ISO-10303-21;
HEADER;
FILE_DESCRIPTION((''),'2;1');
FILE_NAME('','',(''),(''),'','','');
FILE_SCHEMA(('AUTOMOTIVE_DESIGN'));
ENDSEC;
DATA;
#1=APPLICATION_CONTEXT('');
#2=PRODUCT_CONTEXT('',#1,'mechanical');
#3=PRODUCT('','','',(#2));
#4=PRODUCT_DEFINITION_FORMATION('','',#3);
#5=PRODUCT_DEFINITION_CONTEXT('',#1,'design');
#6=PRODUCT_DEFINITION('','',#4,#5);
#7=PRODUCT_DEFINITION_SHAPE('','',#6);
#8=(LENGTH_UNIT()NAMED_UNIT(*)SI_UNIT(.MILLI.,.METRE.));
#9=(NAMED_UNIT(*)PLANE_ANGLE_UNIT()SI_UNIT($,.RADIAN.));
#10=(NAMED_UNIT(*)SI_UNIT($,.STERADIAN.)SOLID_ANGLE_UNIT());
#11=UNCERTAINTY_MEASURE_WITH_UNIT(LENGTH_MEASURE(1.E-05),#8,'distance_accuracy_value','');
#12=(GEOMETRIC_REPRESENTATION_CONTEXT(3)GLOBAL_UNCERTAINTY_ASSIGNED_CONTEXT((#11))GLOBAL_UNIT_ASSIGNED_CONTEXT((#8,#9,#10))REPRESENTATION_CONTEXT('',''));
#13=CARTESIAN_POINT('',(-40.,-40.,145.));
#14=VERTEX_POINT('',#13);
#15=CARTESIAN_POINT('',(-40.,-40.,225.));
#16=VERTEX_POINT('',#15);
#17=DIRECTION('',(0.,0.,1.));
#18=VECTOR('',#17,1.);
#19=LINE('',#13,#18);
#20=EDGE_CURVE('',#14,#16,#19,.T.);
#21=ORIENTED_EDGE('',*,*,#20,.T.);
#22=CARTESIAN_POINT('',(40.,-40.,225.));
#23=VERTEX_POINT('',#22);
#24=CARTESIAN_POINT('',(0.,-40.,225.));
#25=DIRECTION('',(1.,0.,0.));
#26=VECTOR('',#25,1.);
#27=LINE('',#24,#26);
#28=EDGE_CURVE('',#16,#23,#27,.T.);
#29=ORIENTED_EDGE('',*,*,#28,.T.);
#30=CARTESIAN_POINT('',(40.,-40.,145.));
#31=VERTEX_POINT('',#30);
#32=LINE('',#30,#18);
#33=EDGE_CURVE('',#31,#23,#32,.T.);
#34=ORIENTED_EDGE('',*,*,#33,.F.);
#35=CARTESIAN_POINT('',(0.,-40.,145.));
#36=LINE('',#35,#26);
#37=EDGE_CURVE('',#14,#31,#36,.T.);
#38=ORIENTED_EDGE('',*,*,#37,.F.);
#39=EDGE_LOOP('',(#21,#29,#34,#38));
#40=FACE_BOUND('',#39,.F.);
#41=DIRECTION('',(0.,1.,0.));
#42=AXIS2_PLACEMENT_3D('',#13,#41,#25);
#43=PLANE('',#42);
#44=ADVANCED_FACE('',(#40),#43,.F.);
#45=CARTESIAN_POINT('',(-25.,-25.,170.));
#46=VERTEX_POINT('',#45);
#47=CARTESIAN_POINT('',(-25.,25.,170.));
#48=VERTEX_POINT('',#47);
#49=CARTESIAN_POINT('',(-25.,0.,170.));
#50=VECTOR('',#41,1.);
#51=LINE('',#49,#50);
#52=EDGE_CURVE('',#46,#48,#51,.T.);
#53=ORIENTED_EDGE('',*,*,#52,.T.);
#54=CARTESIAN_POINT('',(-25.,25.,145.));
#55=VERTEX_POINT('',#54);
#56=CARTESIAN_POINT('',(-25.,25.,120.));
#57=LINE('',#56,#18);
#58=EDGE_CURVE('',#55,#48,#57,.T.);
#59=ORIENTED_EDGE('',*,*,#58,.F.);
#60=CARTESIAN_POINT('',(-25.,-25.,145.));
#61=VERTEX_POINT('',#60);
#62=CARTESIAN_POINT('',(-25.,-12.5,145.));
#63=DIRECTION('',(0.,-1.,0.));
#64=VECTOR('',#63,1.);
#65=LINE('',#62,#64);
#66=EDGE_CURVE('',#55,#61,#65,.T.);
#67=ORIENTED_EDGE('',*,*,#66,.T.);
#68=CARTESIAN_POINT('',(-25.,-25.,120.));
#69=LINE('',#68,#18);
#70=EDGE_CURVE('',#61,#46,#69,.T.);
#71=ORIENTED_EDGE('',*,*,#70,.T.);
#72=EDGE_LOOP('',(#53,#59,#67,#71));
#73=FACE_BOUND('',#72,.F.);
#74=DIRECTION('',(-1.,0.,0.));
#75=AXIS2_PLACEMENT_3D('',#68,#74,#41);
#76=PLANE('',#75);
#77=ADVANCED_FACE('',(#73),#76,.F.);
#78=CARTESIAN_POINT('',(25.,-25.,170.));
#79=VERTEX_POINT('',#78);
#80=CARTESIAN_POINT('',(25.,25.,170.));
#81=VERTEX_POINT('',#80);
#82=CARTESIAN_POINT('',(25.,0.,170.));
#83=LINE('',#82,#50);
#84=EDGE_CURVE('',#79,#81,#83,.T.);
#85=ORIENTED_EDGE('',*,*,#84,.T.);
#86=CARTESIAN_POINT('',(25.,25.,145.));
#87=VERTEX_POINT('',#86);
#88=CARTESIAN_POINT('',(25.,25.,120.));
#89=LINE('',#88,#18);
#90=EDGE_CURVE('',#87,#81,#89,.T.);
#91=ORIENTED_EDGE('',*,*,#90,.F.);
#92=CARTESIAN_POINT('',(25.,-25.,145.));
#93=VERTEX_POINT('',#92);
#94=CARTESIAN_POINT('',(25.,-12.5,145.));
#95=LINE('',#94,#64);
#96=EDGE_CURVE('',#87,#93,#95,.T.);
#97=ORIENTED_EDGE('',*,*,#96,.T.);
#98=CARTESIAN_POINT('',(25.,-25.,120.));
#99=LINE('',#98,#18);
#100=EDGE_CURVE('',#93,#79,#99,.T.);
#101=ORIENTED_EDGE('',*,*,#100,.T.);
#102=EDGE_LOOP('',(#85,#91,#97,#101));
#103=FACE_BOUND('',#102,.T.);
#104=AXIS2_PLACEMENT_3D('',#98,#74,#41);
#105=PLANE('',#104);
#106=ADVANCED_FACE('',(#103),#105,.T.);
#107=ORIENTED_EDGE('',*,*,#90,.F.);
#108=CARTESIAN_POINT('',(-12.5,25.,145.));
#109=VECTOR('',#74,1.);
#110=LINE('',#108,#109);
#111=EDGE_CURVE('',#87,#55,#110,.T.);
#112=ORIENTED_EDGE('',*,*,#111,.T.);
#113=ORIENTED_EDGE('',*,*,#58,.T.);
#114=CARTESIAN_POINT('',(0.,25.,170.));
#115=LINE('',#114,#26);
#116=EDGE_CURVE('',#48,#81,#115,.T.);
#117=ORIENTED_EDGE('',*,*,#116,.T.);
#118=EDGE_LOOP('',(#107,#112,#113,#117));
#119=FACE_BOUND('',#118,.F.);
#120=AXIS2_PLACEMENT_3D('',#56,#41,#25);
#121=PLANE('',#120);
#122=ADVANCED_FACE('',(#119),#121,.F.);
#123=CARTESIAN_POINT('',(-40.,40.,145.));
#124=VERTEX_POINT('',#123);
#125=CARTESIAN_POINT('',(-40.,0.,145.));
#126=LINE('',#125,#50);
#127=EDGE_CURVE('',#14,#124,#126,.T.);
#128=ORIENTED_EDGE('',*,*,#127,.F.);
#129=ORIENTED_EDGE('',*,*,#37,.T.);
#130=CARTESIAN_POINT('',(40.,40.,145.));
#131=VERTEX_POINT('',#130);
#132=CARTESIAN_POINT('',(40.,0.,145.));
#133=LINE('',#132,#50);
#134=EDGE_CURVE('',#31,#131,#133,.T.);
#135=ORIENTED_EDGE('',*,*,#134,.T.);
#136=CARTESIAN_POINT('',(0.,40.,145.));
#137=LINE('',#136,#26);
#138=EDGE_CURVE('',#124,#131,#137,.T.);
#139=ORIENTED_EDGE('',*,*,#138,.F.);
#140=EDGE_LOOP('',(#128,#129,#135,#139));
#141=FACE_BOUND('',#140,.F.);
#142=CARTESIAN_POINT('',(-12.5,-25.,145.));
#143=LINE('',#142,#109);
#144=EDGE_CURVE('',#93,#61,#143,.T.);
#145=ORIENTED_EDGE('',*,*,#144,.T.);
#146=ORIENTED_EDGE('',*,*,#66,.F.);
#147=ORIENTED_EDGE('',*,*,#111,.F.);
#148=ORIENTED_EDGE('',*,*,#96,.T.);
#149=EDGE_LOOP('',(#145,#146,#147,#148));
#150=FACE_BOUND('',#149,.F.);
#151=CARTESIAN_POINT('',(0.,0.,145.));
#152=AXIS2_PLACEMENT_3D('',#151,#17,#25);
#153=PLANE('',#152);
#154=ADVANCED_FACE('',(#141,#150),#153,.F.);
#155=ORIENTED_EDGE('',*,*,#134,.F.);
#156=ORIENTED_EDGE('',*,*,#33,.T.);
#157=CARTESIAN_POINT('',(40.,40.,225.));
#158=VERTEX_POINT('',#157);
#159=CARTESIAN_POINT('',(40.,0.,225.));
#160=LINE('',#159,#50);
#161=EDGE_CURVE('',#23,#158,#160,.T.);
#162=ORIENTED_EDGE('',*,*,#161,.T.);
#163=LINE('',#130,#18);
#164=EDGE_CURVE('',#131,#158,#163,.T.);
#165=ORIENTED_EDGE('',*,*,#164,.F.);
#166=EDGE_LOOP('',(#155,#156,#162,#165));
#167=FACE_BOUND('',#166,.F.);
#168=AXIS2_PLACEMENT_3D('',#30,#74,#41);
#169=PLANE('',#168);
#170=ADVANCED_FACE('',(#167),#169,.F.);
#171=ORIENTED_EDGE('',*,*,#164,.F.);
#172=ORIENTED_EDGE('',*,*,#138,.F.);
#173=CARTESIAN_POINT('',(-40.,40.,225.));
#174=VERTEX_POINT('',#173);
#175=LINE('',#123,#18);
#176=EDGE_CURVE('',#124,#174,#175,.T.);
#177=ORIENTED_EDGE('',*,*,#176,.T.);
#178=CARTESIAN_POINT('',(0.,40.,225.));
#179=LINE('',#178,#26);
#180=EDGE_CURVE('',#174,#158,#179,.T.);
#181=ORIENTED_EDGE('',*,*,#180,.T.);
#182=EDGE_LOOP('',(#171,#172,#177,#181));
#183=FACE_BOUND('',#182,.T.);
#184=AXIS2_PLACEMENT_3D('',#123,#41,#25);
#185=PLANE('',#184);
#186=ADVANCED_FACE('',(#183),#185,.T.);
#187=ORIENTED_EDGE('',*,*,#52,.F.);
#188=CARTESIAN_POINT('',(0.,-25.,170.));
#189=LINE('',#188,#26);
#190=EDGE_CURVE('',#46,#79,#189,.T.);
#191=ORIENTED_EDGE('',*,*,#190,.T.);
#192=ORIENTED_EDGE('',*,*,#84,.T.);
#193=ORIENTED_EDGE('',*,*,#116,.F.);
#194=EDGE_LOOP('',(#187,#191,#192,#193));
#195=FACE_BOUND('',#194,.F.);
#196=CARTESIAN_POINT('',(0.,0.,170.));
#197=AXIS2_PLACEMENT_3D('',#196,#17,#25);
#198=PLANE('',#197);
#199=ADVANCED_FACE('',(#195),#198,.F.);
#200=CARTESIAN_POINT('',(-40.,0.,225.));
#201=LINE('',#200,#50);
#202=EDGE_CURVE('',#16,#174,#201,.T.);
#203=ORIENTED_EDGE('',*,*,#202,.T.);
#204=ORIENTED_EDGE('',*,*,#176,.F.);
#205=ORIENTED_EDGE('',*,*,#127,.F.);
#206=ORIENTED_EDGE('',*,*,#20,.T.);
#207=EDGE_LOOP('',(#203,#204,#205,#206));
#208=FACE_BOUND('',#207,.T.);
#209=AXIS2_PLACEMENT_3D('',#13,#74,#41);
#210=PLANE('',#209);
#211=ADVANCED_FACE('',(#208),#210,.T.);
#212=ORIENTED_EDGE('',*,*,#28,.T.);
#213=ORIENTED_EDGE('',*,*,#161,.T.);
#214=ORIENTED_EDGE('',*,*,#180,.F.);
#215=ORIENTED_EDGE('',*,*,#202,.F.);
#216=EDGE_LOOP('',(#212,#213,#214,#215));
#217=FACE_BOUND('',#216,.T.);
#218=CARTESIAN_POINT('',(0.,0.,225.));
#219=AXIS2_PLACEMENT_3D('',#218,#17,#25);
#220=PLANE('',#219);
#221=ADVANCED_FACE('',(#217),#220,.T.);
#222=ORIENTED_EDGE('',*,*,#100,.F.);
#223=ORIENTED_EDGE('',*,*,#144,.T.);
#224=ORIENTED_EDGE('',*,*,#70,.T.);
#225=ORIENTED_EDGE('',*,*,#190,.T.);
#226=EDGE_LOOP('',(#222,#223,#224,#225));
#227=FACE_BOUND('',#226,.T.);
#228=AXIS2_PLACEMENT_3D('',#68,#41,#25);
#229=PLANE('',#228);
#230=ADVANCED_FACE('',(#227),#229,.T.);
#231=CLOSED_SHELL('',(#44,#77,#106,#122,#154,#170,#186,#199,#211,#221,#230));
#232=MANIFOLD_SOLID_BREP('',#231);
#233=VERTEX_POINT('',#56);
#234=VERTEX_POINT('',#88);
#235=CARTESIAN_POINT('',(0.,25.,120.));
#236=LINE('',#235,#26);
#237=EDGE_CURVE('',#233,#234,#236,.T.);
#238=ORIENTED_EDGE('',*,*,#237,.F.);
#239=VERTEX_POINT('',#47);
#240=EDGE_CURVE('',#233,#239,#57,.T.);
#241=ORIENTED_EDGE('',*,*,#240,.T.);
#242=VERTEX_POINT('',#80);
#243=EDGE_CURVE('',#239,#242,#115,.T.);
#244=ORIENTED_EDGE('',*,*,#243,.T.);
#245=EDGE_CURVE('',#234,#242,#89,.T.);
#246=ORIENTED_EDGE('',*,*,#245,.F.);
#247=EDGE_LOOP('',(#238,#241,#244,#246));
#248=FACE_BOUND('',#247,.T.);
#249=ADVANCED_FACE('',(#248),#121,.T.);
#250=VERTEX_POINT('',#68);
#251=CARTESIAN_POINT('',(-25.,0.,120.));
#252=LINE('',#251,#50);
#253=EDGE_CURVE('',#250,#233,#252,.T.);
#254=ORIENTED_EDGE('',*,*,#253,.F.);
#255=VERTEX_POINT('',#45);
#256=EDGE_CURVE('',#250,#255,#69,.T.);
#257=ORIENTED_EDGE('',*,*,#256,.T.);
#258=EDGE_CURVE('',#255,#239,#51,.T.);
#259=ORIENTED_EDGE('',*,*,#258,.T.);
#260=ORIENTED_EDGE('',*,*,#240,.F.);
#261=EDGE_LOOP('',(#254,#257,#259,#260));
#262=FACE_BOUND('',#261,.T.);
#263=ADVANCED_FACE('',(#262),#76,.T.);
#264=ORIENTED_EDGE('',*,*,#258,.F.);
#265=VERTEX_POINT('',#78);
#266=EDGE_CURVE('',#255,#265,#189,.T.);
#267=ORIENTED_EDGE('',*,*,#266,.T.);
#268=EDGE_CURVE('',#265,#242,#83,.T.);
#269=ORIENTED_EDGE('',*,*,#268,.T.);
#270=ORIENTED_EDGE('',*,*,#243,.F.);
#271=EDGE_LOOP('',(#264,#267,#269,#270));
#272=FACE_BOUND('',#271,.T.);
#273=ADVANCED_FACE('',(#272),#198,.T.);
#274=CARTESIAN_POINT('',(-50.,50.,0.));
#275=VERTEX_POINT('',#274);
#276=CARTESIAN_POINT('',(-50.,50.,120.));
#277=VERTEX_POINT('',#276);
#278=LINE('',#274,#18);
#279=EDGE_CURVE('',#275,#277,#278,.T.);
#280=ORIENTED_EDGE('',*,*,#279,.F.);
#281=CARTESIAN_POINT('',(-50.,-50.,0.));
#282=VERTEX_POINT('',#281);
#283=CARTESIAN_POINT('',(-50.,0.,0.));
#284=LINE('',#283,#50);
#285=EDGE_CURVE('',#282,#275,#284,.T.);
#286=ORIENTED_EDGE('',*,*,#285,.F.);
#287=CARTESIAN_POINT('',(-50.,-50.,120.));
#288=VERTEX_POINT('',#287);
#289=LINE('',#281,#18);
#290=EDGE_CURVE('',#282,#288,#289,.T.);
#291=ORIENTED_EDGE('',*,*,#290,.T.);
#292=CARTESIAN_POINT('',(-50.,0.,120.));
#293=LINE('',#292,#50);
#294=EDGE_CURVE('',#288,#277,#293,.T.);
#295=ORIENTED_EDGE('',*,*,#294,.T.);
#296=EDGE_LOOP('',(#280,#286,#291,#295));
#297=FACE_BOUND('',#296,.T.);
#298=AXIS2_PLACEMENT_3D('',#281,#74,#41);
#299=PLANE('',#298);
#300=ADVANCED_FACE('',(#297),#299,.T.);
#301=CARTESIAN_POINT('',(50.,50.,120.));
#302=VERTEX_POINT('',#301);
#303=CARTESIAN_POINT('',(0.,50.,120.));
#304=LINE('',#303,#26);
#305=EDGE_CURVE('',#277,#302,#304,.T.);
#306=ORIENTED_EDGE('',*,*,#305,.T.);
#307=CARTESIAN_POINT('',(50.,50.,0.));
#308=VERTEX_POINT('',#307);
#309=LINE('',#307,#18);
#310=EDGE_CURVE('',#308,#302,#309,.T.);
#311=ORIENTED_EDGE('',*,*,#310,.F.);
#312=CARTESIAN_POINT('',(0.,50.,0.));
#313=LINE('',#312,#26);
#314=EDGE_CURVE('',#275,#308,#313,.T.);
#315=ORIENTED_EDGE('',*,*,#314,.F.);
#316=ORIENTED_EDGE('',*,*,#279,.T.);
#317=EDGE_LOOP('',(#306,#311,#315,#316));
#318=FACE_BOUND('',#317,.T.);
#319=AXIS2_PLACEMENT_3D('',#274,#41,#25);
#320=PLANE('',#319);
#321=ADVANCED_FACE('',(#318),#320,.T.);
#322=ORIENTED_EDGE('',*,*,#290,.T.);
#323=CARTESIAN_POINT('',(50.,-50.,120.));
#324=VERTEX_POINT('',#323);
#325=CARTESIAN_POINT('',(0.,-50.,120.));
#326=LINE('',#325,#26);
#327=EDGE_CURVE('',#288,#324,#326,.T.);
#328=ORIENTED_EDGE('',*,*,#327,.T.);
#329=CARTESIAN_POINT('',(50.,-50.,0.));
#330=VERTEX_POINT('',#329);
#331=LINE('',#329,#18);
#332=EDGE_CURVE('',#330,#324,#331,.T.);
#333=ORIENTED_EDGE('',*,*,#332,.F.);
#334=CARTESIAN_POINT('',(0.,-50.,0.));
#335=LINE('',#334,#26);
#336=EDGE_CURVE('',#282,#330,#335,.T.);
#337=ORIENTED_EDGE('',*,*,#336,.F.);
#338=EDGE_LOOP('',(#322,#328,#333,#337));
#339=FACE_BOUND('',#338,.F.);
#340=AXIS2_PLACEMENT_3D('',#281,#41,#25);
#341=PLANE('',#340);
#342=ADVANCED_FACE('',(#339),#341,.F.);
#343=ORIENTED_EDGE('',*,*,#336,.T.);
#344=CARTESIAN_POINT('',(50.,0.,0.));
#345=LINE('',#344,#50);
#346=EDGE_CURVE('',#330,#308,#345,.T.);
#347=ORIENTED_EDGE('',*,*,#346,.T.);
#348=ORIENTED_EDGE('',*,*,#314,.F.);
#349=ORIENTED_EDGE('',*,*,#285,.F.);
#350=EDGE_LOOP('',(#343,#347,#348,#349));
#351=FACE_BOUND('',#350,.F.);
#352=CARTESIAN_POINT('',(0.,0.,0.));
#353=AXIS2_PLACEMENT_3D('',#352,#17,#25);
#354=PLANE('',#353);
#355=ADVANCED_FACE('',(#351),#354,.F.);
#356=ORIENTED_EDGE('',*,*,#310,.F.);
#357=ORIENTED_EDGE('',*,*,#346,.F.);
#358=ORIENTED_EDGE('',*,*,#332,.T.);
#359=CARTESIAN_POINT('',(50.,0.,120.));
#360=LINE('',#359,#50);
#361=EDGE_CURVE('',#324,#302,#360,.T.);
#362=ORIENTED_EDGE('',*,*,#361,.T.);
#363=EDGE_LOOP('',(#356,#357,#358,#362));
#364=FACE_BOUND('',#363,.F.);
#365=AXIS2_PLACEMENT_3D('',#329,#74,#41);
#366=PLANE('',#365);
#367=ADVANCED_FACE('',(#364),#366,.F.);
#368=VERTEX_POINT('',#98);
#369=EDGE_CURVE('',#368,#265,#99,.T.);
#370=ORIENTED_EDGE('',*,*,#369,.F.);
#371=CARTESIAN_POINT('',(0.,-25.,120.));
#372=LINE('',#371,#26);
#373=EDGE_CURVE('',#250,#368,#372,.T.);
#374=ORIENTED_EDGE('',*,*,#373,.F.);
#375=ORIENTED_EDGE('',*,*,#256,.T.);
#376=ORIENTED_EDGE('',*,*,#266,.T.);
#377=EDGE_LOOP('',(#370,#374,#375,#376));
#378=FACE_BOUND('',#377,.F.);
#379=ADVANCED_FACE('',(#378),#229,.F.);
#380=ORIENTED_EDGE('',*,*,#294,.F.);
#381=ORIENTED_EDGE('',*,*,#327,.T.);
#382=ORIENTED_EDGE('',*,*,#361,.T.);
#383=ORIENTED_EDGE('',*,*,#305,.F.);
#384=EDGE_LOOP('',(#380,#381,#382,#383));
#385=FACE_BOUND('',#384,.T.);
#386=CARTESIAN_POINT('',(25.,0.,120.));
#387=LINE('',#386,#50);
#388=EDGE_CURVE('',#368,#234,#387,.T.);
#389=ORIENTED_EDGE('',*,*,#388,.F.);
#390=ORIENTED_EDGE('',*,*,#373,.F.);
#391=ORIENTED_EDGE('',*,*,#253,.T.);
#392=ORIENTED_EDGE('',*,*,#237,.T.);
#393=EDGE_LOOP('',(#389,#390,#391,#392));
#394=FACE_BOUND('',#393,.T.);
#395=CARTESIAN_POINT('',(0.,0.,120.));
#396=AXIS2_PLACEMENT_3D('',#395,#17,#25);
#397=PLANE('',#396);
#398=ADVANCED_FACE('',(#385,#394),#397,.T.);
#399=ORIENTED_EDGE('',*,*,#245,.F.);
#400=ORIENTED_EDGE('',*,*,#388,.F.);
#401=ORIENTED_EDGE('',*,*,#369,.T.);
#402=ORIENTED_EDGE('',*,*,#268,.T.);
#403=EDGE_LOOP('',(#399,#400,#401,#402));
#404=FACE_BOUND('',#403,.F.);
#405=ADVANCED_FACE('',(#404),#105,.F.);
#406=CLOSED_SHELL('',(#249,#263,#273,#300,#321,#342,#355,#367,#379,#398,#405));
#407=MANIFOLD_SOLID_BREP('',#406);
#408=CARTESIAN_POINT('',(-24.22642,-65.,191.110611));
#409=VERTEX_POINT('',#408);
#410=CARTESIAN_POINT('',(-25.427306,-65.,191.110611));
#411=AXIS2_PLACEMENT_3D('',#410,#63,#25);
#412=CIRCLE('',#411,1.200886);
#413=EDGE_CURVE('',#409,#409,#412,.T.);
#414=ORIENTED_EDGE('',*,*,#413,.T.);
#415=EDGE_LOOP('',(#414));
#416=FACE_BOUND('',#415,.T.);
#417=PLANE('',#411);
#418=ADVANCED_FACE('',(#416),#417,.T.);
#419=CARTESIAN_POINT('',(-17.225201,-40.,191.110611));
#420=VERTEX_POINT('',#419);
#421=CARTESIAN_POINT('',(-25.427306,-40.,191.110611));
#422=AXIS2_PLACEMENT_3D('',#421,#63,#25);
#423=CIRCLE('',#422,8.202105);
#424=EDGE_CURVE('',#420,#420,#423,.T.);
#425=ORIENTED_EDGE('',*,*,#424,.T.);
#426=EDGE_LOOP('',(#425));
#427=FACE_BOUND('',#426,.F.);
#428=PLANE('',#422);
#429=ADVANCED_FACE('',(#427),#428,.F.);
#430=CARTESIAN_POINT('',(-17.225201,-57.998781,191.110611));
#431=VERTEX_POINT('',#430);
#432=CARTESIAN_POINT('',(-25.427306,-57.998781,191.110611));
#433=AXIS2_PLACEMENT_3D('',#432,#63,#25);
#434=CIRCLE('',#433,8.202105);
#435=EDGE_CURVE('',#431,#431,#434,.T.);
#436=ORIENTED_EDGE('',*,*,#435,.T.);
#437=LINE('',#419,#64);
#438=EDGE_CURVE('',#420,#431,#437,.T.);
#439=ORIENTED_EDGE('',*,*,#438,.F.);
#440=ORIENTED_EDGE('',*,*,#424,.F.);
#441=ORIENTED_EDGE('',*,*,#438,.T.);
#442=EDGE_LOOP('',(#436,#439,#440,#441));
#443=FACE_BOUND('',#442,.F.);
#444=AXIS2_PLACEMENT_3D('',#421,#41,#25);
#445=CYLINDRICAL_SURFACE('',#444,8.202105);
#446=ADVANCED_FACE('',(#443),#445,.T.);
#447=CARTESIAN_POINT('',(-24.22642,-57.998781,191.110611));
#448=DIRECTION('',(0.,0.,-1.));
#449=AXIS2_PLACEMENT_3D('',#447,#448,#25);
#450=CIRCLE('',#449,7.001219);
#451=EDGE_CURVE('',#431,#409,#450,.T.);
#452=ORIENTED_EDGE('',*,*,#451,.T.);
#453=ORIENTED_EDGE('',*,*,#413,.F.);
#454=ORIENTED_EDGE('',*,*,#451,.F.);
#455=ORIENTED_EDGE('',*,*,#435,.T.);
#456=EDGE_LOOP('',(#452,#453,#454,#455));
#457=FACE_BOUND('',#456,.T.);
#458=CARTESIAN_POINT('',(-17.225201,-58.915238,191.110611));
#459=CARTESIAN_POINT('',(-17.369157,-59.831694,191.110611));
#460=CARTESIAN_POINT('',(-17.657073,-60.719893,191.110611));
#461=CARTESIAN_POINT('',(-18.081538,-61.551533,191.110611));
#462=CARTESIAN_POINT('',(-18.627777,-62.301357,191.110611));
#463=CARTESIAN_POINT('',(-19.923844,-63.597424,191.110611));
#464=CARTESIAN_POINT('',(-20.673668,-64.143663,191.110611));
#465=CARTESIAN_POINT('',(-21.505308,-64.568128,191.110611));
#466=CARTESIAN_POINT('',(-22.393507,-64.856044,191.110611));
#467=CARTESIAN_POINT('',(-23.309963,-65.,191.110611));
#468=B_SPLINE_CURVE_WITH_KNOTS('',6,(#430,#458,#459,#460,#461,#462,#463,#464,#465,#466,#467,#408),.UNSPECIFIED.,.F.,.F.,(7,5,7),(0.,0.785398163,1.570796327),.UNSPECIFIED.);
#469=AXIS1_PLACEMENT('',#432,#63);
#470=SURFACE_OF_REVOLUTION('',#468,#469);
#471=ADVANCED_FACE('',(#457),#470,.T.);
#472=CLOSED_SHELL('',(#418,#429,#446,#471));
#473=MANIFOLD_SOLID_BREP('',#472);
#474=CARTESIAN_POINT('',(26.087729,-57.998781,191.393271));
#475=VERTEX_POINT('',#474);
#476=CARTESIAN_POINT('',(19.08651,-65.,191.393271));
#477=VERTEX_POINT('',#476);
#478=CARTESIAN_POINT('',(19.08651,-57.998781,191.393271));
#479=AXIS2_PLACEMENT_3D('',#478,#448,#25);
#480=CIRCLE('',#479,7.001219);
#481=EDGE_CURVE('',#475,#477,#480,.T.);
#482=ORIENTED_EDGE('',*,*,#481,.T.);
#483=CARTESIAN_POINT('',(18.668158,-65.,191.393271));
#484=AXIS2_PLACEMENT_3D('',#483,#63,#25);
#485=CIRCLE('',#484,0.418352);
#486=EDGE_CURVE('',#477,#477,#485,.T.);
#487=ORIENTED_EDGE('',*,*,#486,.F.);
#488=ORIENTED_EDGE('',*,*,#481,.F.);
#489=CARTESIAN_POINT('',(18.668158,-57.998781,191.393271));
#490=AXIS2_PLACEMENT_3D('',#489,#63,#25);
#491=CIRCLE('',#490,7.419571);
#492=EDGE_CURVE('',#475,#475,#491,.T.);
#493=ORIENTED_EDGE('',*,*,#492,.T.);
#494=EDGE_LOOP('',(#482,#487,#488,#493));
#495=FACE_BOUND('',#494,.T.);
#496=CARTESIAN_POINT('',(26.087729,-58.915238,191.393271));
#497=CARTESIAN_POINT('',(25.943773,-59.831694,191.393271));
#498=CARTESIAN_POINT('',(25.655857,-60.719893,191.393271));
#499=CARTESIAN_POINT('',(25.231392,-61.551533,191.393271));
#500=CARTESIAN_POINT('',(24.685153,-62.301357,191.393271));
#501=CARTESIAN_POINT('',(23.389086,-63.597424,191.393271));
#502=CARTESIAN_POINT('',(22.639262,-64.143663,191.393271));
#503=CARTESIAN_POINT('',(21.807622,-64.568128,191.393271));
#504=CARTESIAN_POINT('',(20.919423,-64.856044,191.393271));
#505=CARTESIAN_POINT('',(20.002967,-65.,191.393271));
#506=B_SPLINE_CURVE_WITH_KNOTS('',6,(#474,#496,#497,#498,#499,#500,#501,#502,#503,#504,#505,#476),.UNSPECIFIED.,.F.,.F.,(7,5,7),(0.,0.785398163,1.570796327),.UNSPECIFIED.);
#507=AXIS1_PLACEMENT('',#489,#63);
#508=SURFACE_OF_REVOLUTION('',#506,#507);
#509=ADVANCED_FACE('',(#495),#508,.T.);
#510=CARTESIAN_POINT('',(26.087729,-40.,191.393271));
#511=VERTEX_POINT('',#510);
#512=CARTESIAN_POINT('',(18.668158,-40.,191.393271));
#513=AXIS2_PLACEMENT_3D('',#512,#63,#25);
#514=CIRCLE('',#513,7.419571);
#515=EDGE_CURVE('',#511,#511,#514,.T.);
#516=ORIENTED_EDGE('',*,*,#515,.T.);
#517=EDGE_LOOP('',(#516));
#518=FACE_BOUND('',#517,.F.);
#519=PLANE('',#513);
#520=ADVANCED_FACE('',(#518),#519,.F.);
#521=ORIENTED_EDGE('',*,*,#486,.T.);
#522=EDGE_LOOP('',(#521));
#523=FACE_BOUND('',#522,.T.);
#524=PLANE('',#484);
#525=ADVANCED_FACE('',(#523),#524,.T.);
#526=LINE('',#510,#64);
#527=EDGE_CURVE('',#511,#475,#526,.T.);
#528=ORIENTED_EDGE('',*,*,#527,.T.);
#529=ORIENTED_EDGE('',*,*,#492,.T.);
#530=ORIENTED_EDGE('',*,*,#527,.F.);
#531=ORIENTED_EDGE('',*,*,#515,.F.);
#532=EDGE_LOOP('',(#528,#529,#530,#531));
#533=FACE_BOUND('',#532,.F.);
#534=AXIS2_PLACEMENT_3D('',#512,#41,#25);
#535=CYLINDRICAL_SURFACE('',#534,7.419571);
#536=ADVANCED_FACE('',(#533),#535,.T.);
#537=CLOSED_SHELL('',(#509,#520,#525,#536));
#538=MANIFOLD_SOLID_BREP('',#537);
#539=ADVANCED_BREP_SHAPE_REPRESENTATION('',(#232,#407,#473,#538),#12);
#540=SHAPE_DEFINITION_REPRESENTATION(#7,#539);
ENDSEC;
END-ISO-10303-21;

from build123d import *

# Parameters (mm, degrees)
F0_W     = 100
F0_H     = 100
F1_DEPTH = 120
F2_W     = 50
F2_H     = 50
F3_DEPTH = 50
F5_W     = 80
F5_H     = 80
F6_DEPTH = 80
F8_R     = 8.202105
F8_R_2   = 7.419571
F9_DEPTH = 25
F10_R    = 7.001219


with BuildPart() as f1:
    # F0 (on Top) → F1 (new body)
    with BuildSketch(Plane.XY):
        Rectangle(F0_W, F0_H)
    extrude(amount=F1_DEPTH)

    # F2 (on face) → F3 (join)
    with BuildSketch(Plane.XY.offset(120)):
        Rectangle(F2_W, F2_H)
    extrude(amount=F3_DEPTH)


with BuildPart() as f6:
    # F5 (on offset) → F6 (new body)
    with BuildSketch(Plane.XY.offset(145)):
        Rectangle(F5_W, F5_H)
    extrude(amount=F6_DEPTH)

    # F7: cut F1
    add(f1.part, mode=Mode.SUBTRACT)


with BuildPart() as f9:
    # F8 (on face) → F9 (new body)
    with BuildSketch(Plane.XZ.offset(40)):
        with Locations((-25.427306, 191.110611)):
            Circle(F8_R)
        with Locations((18.668158, 191.393271)):
            Circle(F8_R_2)
    extrude(amount=F9_DEPTH)

    # F10
    f10_edges = [f9.edges().sort_by_distance(p)[0] for p in [
        (-33.629411, -65, 191.110611),
        (11.248587, -65, 191.393271),
    ]]
    fillet(f10_edges, radius=F10_R)


solid = Compound([f1.part, f6.part, f9.part])
